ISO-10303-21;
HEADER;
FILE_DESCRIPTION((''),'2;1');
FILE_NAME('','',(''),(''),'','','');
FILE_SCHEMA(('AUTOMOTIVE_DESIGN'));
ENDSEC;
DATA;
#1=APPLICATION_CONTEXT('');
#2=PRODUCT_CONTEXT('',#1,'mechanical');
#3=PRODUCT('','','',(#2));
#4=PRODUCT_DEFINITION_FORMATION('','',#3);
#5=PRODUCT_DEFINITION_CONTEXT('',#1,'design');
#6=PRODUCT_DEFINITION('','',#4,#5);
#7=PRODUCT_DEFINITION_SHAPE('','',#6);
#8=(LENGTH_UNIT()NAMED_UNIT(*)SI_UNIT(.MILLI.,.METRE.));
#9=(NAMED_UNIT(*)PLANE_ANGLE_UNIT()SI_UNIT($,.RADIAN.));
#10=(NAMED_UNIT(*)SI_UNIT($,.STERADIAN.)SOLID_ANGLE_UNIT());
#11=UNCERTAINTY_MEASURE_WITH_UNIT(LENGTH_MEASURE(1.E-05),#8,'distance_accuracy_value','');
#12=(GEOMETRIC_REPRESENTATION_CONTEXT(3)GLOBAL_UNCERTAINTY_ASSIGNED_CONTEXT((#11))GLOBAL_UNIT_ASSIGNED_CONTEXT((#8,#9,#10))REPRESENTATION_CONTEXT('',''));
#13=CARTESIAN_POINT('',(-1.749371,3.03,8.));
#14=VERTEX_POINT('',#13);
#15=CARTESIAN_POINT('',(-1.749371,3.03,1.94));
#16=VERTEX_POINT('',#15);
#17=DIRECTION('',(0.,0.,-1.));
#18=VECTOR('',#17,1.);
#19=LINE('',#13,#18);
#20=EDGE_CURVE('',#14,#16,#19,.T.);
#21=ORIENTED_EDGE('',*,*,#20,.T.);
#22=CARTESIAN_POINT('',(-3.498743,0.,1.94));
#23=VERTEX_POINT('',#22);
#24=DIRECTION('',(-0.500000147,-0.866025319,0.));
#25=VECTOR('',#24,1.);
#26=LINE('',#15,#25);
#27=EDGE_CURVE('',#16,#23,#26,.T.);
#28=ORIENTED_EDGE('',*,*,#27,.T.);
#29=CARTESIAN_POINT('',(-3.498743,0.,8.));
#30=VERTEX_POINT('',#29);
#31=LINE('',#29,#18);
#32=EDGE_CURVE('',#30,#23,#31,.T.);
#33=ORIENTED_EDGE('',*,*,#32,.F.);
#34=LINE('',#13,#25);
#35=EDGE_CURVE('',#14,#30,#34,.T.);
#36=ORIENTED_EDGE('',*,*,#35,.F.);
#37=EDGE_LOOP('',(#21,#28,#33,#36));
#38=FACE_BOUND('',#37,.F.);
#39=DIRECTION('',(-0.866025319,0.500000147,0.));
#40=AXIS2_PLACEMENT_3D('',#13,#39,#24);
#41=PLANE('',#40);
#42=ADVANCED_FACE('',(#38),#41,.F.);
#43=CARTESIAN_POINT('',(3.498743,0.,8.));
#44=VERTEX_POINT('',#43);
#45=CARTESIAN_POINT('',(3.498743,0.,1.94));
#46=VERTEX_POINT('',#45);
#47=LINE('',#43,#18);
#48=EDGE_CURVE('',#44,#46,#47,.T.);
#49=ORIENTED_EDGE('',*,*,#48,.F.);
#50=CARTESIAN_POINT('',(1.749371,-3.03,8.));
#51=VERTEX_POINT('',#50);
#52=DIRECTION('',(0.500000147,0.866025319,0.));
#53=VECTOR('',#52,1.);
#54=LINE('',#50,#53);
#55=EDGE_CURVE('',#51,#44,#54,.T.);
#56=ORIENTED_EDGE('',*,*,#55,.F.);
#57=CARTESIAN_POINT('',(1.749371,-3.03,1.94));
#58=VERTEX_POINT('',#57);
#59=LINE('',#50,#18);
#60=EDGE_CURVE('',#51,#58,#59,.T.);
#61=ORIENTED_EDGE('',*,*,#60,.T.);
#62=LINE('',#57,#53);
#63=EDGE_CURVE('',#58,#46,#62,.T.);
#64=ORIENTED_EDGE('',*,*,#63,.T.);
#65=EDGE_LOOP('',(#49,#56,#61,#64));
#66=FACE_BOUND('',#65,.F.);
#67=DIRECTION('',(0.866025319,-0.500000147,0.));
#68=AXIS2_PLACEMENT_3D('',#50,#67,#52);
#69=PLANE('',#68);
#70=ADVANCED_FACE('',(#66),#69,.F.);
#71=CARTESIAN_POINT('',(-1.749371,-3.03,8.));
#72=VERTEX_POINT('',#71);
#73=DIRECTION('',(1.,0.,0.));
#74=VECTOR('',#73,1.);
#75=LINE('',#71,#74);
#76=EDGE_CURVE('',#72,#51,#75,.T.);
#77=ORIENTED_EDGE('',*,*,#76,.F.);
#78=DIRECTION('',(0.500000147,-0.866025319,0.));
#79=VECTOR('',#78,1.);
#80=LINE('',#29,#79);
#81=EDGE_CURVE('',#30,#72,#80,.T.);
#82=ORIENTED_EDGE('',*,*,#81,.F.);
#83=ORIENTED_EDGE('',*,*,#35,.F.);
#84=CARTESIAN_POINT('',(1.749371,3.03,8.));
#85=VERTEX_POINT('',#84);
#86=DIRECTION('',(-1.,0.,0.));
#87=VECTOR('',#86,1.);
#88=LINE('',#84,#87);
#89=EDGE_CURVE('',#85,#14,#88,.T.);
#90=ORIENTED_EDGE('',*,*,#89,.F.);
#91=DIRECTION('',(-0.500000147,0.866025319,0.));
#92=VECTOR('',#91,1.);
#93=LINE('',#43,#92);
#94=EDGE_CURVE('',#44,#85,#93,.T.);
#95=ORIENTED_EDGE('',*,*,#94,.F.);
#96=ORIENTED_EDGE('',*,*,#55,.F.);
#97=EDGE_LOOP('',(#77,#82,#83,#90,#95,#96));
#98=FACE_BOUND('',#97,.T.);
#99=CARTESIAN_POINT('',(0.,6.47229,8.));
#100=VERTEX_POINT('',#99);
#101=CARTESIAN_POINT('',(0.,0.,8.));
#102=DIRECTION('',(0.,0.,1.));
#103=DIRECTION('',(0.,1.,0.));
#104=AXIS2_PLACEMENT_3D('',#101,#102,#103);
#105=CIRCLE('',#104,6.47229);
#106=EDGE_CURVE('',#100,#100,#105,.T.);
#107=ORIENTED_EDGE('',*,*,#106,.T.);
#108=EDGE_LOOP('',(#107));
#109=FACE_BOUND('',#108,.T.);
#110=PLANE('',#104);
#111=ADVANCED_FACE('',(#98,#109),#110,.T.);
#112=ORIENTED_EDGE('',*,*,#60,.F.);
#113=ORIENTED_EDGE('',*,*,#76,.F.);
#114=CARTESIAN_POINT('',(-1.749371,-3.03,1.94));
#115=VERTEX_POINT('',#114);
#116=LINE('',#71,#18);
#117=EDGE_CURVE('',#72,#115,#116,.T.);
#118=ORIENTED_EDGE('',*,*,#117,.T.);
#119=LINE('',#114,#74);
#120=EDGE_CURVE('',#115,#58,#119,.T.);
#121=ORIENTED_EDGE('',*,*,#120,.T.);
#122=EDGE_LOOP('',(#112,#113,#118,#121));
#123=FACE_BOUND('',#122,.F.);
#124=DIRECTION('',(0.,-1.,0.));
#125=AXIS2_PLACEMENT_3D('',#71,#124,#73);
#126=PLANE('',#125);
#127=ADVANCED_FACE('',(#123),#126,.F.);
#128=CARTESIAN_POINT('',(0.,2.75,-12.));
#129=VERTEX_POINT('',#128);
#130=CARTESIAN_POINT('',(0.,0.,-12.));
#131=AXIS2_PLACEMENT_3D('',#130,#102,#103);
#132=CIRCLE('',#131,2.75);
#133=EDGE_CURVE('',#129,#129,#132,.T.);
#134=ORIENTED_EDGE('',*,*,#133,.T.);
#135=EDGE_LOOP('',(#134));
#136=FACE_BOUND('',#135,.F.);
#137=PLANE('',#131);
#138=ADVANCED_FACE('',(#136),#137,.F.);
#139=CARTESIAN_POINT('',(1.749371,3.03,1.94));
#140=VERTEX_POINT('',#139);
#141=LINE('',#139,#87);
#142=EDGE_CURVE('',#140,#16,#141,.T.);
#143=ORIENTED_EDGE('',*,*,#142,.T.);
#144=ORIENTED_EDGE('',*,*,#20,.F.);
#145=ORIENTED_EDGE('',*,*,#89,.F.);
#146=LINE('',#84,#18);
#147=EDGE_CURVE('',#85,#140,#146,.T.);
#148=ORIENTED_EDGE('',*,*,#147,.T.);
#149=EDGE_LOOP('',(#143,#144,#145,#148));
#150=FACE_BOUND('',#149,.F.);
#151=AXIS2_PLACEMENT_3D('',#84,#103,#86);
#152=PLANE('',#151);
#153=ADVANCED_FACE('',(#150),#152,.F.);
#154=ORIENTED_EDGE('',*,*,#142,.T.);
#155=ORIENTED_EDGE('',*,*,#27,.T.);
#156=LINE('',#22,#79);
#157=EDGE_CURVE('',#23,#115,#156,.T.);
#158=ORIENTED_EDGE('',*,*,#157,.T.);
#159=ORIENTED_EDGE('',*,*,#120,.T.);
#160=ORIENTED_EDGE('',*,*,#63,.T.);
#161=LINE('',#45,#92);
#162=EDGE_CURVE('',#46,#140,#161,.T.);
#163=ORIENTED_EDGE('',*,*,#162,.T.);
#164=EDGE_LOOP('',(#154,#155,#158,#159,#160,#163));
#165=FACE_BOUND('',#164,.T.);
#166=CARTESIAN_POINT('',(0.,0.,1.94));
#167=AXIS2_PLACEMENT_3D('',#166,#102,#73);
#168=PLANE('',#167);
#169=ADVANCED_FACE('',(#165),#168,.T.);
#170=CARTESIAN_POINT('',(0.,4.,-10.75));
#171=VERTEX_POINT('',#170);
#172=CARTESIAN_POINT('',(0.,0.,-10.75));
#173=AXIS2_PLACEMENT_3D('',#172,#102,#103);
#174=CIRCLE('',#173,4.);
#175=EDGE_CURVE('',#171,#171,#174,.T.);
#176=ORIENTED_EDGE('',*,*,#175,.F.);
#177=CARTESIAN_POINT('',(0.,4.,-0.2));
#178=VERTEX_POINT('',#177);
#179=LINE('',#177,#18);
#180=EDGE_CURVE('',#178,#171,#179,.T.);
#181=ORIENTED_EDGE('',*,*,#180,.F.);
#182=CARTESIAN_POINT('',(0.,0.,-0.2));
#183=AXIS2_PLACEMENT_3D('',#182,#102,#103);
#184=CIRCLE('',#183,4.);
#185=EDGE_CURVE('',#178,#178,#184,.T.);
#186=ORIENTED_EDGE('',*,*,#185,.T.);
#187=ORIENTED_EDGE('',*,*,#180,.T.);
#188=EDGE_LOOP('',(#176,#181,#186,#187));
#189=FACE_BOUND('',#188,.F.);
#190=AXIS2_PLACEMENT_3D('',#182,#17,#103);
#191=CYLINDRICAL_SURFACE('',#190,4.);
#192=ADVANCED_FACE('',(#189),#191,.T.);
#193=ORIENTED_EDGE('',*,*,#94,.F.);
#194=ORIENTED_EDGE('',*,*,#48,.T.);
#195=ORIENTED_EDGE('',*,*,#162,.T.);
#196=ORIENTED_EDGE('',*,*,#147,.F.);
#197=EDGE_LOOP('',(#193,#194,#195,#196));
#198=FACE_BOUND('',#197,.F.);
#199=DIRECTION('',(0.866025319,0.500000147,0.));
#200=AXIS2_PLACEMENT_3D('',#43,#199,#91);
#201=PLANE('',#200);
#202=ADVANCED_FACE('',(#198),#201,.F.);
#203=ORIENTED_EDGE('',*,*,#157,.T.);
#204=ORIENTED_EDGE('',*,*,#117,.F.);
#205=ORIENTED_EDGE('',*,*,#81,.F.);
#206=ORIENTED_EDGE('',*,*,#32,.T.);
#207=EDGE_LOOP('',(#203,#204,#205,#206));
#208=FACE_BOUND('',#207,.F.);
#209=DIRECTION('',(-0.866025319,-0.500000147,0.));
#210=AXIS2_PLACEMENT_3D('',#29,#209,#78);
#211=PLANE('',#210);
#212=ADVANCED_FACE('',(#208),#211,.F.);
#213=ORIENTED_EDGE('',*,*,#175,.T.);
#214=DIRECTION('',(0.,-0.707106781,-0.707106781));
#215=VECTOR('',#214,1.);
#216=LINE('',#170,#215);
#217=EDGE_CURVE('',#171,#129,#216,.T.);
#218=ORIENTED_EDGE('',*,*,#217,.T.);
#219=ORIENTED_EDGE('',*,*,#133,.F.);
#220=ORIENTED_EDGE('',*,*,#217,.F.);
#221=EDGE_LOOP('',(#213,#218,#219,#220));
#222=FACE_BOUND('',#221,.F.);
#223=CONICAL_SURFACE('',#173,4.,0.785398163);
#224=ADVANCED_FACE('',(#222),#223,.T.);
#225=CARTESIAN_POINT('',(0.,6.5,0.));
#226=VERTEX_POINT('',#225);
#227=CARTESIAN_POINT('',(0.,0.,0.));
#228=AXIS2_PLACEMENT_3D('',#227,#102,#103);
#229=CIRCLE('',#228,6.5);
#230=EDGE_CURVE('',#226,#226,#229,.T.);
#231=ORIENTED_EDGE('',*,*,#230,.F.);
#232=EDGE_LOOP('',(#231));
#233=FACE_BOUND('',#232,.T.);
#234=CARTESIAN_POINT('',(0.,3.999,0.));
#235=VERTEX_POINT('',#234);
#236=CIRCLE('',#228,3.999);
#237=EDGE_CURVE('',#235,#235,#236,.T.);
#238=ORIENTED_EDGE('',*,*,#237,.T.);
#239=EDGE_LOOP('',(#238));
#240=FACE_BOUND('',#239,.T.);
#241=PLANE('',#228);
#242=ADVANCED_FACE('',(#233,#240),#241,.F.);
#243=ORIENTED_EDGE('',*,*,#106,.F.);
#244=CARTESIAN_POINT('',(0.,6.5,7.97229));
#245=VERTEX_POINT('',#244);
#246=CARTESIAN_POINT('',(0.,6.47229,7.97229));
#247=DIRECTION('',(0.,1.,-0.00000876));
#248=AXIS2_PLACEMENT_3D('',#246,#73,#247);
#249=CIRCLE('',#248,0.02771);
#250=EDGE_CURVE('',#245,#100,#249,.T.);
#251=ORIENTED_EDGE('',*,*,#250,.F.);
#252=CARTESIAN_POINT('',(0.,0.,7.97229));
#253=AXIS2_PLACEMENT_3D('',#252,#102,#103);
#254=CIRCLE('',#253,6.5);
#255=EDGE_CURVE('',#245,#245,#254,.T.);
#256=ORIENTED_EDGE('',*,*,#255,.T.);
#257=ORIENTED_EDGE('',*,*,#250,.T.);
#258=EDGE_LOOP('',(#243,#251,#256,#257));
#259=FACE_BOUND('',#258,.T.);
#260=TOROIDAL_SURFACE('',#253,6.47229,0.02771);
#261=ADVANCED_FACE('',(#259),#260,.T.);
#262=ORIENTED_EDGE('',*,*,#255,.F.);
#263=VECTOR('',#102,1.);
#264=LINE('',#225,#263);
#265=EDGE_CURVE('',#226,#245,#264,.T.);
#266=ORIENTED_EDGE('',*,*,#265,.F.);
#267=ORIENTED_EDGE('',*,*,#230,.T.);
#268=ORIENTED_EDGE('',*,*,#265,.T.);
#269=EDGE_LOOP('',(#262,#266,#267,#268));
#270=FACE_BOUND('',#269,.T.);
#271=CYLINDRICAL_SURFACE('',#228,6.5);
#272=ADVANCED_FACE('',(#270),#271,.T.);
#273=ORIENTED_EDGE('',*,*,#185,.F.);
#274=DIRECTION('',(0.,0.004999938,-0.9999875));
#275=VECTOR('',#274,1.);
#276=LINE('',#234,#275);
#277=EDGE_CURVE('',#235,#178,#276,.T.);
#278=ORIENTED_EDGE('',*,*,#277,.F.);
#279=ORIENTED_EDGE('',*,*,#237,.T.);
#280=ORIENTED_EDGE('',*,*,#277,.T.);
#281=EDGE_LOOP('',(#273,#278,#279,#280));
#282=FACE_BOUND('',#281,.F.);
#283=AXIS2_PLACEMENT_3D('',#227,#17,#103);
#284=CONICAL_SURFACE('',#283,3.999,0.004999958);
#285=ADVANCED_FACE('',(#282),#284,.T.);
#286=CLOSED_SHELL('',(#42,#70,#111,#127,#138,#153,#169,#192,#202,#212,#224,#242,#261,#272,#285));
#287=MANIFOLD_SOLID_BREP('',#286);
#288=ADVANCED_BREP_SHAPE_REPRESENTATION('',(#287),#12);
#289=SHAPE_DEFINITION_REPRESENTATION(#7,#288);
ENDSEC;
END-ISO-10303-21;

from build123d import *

# Parameters (mm, degrees)
POCKET_DEPTH = 6.06


with BuildPart() as part:
    # Sketch → Revolve (revolve)
    with BuildSketch(Plane.YZ):
        with BuildLine():
            Line((3.999, 0), (6.5, 0))
            Line((6.5, 0), (6.5, 7.97229))
            ThreePointArc((6.5, 7.97229), (6.491884, 7.991884), (6.47229, 8))
            Line((6.47229, 8), (0, 8))
            Line((0, -12), (0, 8))
            Line((2.75, -12), (0, -12))
            Line((4, -10.75), (2.75, -12))
            Line((4, -0.2), (4, -10.75))
            Line((3.999, 0), (4, -0.2))
        make_face()
    revolve(axis=Axis((0, 0, 0), (0, 0, 1)))

    # Sketch001 → Pocket (cut)
    with BuildSketch(Plane.XY.offset(8)):
        Polygon((3.498743, 0), (1.749371, 3.03), (-1.749371, 3.03), (-3.498743, 0), (-1.749371, -3.03), (1.749371, -3.03), align=None)
    extrude(amount=-POCKET_DEPTH, mode=Mode.SUBTRACT)


solid = part.part
